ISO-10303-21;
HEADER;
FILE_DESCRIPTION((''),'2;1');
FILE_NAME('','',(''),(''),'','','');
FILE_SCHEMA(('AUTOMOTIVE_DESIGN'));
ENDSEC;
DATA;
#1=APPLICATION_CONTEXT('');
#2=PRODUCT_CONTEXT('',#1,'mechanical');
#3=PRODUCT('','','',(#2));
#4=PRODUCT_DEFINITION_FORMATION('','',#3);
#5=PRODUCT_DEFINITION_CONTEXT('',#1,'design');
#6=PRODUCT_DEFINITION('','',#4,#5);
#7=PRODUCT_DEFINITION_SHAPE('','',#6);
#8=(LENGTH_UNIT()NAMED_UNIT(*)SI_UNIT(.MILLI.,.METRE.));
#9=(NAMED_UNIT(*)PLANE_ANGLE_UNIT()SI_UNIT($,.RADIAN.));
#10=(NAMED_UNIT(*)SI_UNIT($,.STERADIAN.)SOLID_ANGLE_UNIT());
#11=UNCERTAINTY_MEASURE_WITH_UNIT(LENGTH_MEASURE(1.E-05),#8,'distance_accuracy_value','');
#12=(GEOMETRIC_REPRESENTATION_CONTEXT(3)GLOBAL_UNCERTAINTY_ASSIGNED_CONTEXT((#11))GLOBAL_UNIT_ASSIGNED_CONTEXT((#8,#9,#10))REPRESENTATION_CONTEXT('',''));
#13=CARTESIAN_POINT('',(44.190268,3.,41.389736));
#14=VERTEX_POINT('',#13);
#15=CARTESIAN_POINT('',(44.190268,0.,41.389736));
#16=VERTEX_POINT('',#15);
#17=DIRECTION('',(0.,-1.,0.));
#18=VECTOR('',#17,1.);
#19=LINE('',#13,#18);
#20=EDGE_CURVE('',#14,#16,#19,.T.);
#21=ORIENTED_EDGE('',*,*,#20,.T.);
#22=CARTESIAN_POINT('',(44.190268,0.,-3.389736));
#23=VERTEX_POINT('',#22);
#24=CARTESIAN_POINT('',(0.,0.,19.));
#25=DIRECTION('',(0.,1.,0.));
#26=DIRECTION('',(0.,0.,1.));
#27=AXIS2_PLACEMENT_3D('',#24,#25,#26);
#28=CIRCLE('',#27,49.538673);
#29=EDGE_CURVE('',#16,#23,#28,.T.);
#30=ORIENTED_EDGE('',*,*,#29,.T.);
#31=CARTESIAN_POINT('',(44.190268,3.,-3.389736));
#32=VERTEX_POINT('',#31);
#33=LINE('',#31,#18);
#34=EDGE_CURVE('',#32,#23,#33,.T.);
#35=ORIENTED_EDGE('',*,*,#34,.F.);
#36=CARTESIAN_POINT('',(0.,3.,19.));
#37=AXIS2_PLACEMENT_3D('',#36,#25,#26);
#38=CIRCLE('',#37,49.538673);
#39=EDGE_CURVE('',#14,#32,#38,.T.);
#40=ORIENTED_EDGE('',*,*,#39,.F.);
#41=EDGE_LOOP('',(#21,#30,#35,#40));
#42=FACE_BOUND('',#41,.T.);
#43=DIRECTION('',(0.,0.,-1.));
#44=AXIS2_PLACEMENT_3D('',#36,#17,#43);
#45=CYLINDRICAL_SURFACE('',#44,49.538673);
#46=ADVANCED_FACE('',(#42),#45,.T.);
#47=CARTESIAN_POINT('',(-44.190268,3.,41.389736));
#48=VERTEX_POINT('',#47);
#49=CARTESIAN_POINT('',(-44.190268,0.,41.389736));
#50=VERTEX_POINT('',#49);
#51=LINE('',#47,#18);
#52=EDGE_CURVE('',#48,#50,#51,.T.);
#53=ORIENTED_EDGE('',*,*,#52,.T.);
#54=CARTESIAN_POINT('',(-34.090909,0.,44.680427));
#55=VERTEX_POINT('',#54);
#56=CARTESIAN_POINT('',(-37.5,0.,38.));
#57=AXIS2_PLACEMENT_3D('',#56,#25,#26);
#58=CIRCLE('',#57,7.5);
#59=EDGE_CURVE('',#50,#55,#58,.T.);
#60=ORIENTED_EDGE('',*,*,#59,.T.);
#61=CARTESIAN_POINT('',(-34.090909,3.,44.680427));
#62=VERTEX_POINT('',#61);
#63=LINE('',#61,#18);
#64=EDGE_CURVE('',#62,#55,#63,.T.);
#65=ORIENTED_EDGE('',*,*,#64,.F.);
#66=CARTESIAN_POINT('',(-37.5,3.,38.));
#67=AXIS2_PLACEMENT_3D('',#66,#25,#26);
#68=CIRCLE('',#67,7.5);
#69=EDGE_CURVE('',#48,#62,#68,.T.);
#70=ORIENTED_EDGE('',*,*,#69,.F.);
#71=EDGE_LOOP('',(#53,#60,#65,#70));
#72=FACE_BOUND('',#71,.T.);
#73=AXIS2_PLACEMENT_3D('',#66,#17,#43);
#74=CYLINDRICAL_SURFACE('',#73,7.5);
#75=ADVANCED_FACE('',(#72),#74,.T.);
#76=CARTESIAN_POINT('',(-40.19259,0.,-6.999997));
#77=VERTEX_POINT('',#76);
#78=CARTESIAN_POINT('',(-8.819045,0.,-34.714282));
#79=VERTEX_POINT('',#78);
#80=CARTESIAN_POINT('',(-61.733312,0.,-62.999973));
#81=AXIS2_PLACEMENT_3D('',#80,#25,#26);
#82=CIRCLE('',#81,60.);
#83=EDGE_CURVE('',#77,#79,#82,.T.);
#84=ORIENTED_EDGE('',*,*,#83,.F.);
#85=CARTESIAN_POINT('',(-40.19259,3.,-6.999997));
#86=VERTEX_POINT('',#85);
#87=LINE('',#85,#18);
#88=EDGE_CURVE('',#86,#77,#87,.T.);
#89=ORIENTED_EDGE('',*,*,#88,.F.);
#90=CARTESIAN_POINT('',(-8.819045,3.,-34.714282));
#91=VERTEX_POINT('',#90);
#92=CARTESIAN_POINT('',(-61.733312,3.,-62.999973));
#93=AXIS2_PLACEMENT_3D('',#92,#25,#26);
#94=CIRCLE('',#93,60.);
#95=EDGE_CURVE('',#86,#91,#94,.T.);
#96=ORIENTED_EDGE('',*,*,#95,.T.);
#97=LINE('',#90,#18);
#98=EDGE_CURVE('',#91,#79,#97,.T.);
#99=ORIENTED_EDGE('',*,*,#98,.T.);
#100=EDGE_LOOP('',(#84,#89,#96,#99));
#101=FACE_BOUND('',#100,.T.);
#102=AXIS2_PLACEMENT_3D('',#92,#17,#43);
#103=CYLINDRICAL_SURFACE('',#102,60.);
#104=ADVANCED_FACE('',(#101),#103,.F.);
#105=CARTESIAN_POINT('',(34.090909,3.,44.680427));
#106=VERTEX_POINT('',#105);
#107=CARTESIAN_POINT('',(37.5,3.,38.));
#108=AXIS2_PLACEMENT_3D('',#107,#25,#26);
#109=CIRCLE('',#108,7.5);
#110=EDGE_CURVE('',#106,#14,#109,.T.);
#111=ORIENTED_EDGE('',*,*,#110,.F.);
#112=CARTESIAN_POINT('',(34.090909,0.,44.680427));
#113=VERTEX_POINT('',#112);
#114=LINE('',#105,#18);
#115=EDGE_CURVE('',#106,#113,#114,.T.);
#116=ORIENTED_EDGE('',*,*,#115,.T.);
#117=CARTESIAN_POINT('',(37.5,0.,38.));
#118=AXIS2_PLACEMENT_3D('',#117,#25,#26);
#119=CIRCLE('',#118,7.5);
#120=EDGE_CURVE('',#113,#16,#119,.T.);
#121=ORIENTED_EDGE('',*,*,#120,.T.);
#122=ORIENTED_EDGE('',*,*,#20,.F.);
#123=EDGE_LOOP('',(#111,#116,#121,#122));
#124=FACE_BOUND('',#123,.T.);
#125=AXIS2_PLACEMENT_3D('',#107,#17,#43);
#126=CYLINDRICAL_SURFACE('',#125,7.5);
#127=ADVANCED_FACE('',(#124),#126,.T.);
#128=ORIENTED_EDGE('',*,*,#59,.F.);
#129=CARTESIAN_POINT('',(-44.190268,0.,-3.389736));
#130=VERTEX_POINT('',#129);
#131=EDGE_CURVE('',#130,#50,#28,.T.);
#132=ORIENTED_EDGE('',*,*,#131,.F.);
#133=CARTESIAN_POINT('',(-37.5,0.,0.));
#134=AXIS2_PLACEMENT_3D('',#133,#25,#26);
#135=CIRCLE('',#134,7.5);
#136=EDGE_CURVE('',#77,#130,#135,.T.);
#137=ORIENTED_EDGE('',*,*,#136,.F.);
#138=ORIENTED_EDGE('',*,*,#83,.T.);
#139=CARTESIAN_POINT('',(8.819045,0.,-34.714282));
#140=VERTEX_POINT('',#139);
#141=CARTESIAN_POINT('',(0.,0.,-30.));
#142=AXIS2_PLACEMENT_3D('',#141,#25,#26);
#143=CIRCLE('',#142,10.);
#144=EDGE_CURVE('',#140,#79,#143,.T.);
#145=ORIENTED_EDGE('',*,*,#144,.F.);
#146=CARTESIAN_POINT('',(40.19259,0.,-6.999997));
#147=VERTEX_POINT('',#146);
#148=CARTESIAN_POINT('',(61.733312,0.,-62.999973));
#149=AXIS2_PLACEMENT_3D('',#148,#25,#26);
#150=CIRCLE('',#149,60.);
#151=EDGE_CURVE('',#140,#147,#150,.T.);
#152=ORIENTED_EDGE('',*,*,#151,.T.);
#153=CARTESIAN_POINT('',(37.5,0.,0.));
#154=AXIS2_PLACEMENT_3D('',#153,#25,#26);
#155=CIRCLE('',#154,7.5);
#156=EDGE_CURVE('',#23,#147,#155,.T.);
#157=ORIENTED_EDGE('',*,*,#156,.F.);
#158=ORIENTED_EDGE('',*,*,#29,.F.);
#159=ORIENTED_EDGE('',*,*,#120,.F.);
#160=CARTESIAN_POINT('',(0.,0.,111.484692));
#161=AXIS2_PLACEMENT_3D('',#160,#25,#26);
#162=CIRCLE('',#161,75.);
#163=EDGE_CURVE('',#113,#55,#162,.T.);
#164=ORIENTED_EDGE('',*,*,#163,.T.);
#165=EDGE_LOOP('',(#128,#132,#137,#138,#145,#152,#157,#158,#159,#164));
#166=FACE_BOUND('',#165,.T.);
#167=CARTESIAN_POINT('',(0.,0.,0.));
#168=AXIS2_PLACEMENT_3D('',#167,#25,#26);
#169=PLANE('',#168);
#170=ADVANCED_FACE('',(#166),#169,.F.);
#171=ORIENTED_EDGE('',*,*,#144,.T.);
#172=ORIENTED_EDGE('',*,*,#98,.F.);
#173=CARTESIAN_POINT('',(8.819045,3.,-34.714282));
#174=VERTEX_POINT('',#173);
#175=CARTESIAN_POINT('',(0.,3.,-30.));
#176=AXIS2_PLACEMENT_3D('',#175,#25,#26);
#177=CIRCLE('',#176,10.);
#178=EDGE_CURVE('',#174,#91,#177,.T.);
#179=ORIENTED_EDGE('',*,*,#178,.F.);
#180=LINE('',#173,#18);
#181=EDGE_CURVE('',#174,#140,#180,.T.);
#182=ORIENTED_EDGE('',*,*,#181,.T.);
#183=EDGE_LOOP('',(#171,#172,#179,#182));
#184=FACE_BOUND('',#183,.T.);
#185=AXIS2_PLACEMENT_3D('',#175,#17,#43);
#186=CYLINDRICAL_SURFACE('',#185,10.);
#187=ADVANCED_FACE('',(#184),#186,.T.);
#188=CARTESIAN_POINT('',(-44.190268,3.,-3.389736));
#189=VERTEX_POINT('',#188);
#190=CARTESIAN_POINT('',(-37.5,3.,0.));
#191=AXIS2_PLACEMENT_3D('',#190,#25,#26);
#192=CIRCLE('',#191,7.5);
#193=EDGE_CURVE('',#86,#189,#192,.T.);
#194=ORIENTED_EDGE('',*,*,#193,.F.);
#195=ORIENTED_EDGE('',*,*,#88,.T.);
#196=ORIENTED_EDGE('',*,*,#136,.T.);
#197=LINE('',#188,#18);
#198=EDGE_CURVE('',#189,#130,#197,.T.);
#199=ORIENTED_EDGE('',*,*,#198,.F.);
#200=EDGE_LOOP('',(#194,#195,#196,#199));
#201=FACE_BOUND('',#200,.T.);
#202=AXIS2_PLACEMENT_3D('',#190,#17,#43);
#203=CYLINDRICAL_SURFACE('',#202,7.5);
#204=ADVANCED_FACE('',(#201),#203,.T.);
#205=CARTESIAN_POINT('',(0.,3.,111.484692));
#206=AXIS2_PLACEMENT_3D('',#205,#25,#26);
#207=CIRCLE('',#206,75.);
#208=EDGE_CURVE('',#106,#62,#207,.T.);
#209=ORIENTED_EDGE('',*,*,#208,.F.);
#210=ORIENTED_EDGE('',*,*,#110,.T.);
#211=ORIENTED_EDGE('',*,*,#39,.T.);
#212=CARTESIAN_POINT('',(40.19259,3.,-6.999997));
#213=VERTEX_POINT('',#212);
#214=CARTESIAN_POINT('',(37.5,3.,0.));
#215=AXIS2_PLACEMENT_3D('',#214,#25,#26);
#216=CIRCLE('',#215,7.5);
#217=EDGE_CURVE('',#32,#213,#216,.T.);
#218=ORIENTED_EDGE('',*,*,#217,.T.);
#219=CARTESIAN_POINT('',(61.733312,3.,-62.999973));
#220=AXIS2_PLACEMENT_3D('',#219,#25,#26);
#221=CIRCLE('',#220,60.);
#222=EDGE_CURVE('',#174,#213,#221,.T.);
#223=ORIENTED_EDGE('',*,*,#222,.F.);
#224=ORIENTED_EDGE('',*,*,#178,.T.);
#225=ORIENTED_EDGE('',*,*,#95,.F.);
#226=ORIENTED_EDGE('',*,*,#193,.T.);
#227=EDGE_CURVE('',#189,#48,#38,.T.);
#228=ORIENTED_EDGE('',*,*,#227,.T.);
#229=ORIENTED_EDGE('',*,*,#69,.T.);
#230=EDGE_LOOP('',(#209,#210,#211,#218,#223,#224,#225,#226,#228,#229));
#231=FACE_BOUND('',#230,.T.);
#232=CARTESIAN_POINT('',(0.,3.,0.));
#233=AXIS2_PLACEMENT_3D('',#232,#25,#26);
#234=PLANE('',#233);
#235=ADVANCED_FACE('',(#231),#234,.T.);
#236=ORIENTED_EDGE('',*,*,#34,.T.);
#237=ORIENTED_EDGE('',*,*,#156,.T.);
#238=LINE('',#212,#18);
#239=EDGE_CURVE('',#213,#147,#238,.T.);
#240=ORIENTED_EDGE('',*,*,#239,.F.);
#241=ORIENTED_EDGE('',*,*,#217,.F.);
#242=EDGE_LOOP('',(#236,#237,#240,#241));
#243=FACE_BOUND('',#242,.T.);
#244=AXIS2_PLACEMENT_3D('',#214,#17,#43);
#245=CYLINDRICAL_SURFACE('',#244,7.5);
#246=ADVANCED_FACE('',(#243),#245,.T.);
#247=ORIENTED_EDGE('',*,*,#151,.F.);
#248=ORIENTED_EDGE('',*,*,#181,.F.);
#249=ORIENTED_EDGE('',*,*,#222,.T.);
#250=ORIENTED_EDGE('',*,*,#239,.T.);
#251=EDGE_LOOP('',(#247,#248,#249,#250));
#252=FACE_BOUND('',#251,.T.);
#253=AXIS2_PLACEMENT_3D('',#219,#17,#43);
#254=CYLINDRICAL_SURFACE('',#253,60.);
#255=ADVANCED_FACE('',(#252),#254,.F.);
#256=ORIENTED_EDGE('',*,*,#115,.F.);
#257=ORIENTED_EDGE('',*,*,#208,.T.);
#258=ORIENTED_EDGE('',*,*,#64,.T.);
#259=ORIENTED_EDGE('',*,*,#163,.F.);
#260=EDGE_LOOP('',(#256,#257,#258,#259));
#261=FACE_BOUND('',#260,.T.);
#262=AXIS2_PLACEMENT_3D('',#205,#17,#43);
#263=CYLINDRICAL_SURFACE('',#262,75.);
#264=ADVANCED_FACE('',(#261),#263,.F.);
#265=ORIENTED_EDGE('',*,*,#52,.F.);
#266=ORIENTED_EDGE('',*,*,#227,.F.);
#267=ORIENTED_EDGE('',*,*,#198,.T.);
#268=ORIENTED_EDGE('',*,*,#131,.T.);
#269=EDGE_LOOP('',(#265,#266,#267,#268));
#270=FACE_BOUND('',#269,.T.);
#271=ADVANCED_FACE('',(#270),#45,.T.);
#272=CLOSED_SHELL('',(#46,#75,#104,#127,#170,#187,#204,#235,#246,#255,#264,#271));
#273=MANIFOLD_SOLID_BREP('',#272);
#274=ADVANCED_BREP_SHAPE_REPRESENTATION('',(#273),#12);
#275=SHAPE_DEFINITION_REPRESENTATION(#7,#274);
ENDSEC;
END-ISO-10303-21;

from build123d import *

# Parameters (mm, degrees)
BOSS_EXTRUDE1_DEPTH = 3


with BuildPart() as part:
    # Sketch1 → Boss-Extrude1 (new body)
    with BuildSketch(Plane(origin=(0, 0, 0), x_dir=(1, 0, 0), z_dir=(0, 1, 0))):
        with BuildLine():
            ThreePointArc((-44.190268387, -41.389735818), (-39.823508359, -45.131010371), (-34.090908396, -44.680426216))
            ThreePointArc((-34.090908396, -44.680426216), (-7.1e-08, -36.484692283), (34.090908269, -44.680426152))
            ThreePointArc((34.090908269, -44.680426152), (39.823508354, -45.131010372), (44.190268446, -41.389735701))
            ThreePointArc((44.190268446, -41.389735701), (49.538672672, -18.999999828), (44.19026829, 3.389736008))
            ThreePointArc((44.19026829, 3.389736008), (42.526729152, 5.566147144), (40.192590574, 6.999996857))
            ThreePointArc((40.192590574, 6.999996857), (22.010436955, 18.032282207), (8.819043592, 34.714283628))
            ThreePointArc((8.819043592, 34.714283628), (7.4e-08, 40), (-8.819043522, 34.714283759))
            ThreePointArc((-8.819043522, 34.714283759), (-22.010436745, 18.032282393), (-40.19259019, 6.999997005))
            ThreePointArc((-40.19259019, 6.999997005), (-42.526728969, 5.566147309), (-44.190268254, 3.389736081))
            ThreePointArc((-44.190268254, 3.389736081), (-49.538672672, -18.999999853), (-44.190268387, -41.389735818))
        make_face()
    extrude(amount=BOSS_EXTRUDE1_DEPTH)


solid = part.part
